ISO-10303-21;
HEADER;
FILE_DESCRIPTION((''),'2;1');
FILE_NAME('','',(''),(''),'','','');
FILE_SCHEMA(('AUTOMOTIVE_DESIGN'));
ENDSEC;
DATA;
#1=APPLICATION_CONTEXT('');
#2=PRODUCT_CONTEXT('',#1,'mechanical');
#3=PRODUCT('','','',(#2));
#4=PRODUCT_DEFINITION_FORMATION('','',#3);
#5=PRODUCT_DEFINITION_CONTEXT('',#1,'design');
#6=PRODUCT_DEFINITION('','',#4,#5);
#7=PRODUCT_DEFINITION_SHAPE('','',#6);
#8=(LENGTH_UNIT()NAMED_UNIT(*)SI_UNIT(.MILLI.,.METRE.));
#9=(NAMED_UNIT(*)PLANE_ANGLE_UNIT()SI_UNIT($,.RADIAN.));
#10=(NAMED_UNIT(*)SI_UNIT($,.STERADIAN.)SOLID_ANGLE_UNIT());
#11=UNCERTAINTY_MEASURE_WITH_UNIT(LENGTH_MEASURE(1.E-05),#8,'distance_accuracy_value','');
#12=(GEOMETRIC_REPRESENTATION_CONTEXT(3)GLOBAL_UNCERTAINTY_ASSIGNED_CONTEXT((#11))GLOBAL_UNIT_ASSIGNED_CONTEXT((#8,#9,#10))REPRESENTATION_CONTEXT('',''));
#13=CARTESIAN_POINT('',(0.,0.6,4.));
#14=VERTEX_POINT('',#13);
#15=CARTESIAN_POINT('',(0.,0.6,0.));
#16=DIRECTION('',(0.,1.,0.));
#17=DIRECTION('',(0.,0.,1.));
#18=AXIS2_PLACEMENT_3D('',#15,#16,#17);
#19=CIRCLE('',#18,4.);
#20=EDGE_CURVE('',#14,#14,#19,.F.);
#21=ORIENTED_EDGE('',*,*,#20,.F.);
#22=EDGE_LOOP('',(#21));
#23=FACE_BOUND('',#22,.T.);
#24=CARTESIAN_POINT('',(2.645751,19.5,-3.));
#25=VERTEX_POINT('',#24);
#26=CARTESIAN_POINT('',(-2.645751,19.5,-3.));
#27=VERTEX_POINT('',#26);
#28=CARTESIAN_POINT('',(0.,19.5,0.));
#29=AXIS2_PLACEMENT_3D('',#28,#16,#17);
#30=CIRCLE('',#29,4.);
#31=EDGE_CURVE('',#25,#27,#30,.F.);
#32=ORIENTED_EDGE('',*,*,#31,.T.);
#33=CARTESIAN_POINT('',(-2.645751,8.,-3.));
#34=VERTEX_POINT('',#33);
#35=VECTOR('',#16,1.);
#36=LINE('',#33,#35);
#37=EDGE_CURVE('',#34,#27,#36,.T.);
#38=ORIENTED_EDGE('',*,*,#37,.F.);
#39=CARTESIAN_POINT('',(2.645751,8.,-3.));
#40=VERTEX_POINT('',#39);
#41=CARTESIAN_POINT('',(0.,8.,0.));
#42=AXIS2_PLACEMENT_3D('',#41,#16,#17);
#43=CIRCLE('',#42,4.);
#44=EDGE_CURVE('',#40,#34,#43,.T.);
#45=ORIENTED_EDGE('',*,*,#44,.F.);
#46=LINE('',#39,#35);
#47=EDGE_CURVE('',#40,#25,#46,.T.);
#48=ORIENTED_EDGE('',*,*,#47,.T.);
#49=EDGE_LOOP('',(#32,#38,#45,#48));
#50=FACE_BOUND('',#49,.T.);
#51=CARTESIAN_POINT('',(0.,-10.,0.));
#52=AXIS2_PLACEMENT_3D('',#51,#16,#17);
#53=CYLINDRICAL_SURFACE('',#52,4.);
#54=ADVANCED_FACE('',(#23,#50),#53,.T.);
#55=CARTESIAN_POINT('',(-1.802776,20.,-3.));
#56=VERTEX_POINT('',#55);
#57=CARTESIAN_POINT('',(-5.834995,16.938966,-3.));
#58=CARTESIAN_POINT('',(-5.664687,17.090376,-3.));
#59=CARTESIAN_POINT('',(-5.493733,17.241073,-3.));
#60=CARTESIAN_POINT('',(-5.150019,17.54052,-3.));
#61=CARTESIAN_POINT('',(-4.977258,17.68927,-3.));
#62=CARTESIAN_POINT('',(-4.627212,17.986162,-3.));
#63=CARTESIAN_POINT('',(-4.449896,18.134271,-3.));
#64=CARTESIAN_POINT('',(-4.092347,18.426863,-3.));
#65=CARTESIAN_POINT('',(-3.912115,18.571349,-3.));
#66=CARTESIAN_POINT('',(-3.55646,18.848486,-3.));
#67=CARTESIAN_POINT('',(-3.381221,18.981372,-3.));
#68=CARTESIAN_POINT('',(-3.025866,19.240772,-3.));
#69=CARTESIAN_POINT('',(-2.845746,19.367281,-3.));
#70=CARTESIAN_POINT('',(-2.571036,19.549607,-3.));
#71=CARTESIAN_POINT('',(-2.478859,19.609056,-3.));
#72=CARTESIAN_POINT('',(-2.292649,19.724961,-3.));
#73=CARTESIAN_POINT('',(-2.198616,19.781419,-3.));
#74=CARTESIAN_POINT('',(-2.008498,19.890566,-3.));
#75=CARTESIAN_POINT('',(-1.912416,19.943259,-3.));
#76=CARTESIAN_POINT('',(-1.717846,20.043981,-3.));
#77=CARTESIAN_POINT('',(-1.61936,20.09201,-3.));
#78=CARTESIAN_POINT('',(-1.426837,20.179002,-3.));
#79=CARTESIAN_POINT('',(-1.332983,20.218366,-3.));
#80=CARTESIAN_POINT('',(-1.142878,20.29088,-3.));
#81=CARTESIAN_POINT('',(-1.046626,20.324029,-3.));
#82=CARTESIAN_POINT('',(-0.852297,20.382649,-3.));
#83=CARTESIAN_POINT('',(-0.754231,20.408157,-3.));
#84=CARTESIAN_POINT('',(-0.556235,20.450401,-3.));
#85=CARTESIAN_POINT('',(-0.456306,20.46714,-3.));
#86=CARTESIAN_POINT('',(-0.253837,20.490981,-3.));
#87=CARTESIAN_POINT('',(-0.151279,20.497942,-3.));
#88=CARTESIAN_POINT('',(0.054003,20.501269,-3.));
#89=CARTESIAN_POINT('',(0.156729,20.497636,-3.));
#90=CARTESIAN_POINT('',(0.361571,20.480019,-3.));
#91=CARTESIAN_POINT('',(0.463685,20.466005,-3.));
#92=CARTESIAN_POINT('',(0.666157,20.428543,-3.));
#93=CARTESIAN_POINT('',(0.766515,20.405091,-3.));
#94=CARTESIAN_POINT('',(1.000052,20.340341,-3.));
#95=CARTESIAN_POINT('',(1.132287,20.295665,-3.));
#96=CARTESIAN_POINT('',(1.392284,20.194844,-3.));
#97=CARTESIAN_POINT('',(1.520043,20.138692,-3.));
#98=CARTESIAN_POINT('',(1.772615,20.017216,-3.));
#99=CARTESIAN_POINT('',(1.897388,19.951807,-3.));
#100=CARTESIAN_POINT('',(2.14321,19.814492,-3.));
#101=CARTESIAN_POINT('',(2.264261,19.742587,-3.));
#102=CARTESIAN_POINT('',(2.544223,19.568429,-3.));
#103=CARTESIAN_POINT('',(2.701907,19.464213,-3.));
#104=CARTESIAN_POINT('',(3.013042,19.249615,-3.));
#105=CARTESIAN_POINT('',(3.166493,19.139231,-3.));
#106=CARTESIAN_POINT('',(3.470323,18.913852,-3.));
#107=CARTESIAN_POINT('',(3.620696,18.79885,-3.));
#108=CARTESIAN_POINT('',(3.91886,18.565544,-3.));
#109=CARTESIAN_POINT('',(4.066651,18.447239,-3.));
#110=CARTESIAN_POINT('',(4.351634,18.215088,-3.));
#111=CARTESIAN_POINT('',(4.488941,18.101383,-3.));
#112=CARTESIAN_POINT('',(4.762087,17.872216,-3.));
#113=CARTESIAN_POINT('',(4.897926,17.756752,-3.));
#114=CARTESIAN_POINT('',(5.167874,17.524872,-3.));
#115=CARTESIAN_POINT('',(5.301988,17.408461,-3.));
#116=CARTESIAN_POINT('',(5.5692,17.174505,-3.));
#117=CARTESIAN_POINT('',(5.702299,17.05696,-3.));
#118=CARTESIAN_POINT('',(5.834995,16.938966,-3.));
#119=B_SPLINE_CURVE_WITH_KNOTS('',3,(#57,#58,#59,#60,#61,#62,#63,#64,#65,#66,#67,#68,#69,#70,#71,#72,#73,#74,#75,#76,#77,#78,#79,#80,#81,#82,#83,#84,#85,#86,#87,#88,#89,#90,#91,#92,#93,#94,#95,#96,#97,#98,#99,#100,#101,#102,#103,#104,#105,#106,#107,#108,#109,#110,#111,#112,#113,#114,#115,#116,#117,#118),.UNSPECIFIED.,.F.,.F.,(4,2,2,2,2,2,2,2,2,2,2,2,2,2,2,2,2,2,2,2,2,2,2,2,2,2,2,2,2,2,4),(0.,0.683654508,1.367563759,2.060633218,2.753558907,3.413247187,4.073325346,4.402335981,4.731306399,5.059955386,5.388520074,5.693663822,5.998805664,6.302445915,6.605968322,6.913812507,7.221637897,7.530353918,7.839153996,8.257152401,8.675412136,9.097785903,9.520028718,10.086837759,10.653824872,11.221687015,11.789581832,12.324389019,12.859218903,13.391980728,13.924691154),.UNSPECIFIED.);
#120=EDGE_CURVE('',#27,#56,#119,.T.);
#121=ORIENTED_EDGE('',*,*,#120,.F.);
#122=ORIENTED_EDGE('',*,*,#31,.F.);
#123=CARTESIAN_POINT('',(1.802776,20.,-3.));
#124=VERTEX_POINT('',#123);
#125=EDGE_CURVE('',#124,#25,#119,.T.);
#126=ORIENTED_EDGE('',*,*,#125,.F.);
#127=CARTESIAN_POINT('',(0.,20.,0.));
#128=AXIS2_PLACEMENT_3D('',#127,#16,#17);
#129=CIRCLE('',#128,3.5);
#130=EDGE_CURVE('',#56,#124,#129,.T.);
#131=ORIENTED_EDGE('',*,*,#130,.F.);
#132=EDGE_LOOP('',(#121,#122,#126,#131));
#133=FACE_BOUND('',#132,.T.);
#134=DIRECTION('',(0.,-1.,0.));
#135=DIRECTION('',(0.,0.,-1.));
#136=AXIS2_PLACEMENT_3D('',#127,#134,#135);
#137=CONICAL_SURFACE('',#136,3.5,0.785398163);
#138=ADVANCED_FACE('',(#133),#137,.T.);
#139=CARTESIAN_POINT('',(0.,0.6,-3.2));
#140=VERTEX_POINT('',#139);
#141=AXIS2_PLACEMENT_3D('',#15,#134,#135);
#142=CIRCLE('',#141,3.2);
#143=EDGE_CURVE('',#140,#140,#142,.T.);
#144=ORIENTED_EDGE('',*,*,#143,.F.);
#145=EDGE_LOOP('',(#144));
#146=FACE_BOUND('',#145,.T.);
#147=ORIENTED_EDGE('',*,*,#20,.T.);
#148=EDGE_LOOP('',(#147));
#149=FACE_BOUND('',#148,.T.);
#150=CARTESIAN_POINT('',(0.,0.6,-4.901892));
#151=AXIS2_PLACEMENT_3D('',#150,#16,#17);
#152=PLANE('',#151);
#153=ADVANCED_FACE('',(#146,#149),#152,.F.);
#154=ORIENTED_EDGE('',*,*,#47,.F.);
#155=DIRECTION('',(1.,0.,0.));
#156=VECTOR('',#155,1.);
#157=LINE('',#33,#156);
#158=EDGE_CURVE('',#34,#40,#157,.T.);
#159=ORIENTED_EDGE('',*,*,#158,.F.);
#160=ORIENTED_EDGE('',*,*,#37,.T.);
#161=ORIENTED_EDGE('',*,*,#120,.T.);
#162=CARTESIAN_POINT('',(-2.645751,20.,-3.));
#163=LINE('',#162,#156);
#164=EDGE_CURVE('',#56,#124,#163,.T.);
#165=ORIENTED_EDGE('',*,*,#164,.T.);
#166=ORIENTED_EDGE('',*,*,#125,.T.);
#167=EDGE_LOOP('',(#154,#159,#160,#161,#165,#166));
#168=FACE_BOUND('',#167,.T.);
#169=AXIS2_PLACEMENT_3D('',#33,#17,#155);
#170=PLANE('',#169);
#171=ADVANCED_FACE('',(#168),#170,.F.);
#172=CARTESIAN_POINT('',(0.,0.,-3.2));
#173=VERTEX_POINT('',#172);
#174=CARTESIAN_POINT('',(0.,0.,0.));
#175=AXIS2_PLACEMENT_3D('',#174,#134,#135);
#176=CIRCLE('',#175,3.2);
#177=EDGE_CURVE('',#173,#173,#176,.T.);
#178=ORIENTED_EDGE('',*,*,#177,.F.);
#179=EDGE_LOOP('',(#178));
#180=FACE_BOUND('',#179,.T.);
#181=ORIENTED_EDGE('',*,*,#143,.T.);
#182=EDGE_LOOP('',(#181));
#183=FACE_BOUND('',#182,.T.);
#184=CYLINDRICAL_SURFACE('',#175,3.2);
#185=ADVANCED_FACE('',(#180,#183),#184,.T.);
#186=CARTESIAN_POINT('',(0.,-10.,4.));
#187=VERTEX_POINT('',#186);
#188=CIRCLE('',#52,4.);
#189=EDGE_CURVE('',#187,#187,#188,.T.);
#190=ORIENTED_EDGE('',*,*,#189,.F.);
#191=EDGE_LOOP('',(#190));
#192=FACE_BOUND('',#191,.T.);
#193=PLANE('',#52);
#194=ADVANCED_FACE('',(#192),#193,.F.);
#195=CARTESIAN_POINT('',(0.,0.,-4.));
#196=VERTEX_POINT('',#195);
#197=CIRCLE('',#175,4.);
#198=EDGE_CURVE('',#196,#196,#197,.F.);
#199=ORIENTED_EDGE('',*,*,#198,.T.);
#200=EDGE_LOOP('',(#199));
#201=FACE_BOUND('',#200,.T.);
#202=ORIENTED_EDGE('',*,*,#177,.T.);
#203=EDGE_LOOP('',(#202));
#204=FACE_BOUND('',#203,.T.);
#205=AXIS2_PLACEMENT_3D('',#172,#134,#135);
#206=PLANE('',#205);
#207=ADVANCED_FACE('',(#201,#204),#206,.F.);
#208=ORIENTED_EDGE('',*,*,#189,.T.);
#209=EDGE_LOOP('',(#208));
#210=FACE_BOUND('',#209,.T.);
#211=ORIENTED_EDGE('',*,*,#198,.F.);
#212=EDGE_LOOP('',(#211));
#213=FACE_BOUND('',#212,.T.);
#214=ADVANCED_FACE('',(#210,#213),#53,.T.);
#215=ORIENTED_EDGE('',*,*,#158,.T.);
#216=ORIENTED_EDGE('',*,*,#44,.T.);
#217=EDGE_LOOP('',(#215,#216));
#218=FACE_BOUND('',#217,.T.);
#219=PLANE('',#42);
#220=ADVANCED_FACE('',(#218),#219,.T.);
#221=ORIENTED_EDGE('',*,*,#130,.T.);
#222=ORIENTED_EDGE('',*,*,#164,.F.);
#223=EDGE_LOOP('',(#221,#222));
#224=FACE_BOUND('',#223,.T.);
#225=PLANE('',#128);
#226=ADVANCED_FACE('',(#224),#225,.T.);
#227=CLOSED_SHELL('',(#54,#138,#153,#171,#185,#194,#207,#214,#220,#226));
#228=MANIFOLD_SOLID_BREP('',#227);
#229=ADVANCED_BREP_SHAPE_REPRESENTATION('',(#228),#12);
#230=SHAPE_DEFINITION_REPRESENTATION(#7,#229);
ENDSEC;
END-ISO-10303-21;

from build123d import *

# Parameters (mm, degrees)
SKETCH1_R                = 4
BOSS_EXTRUDE1_DEPTH      = 20
BOSS_EXTRUDE1_DEPTH_BACK = 10
CHAMFER1_SIZE            = 0.5
CUT_EXTRUDE1_DEPTH       = 12
SKETCH3_W                = 1.701892275
SKETCH3_H                = 0.6


with BuildPart() as part:
    # Sketch1 → Boss-Extrude1 (new body, two sides)
    with BuildSketch(Plane(origin=(0, 0, 0), x_dir=(1, 0, 0), z_dir=(0, 1, 0))) as boss_extrude1_sk:
        Circle(SKETCH1_R)
    extrude(amount=BOSS_EXTRUDE1_DEPTH)
    extrude(boss_extrude1_sk.sketch, amount=-BOSS_EXTRUDE1_DEPTH_BACK)

    # Chamfer1
    chamfer1_edges = [part.edges().sort_by_distance(p)[0] for p in [
        (-4, 20, 0),
    ]]
    chamfer(chamfer1_edges, length=CHAMFER1_SIZE)

    # Sketch2 → Cut-Extrude1 (cut)
    with BuildSketch(Plane(origin=(0, 20, 0), x_dir=(1, 0, 0), z_dir=(0, 1, 0))):
        with BuildLine():
            Line((-2.645751311, 3), (2.645751311, 3))
            ThreePointArc((2.645751311, 3), (0, 4), (-2.645751311, 3))
        make_face()
    extrude(amount=-CUT_EXTRUDE1_DEPTH, mode=Mode.SUBTRACT)

    # Sketch3 → Cut-Revolve1 (revolve, cut)
    with BuildSketch(Plane(origin=(0, 0, 0), x_dir=(0, 0, -1), z_dir=(1, 0, 0))):
        with Locations((4.050946138, 0.3)):
            Rectangle(SKETCH3_W, SKETCH3_H)
    revolve(axis=Axis((0, 0, 0), (0, 1, 0)), mode=Mode.SUBTRACT)


solid = part.part
